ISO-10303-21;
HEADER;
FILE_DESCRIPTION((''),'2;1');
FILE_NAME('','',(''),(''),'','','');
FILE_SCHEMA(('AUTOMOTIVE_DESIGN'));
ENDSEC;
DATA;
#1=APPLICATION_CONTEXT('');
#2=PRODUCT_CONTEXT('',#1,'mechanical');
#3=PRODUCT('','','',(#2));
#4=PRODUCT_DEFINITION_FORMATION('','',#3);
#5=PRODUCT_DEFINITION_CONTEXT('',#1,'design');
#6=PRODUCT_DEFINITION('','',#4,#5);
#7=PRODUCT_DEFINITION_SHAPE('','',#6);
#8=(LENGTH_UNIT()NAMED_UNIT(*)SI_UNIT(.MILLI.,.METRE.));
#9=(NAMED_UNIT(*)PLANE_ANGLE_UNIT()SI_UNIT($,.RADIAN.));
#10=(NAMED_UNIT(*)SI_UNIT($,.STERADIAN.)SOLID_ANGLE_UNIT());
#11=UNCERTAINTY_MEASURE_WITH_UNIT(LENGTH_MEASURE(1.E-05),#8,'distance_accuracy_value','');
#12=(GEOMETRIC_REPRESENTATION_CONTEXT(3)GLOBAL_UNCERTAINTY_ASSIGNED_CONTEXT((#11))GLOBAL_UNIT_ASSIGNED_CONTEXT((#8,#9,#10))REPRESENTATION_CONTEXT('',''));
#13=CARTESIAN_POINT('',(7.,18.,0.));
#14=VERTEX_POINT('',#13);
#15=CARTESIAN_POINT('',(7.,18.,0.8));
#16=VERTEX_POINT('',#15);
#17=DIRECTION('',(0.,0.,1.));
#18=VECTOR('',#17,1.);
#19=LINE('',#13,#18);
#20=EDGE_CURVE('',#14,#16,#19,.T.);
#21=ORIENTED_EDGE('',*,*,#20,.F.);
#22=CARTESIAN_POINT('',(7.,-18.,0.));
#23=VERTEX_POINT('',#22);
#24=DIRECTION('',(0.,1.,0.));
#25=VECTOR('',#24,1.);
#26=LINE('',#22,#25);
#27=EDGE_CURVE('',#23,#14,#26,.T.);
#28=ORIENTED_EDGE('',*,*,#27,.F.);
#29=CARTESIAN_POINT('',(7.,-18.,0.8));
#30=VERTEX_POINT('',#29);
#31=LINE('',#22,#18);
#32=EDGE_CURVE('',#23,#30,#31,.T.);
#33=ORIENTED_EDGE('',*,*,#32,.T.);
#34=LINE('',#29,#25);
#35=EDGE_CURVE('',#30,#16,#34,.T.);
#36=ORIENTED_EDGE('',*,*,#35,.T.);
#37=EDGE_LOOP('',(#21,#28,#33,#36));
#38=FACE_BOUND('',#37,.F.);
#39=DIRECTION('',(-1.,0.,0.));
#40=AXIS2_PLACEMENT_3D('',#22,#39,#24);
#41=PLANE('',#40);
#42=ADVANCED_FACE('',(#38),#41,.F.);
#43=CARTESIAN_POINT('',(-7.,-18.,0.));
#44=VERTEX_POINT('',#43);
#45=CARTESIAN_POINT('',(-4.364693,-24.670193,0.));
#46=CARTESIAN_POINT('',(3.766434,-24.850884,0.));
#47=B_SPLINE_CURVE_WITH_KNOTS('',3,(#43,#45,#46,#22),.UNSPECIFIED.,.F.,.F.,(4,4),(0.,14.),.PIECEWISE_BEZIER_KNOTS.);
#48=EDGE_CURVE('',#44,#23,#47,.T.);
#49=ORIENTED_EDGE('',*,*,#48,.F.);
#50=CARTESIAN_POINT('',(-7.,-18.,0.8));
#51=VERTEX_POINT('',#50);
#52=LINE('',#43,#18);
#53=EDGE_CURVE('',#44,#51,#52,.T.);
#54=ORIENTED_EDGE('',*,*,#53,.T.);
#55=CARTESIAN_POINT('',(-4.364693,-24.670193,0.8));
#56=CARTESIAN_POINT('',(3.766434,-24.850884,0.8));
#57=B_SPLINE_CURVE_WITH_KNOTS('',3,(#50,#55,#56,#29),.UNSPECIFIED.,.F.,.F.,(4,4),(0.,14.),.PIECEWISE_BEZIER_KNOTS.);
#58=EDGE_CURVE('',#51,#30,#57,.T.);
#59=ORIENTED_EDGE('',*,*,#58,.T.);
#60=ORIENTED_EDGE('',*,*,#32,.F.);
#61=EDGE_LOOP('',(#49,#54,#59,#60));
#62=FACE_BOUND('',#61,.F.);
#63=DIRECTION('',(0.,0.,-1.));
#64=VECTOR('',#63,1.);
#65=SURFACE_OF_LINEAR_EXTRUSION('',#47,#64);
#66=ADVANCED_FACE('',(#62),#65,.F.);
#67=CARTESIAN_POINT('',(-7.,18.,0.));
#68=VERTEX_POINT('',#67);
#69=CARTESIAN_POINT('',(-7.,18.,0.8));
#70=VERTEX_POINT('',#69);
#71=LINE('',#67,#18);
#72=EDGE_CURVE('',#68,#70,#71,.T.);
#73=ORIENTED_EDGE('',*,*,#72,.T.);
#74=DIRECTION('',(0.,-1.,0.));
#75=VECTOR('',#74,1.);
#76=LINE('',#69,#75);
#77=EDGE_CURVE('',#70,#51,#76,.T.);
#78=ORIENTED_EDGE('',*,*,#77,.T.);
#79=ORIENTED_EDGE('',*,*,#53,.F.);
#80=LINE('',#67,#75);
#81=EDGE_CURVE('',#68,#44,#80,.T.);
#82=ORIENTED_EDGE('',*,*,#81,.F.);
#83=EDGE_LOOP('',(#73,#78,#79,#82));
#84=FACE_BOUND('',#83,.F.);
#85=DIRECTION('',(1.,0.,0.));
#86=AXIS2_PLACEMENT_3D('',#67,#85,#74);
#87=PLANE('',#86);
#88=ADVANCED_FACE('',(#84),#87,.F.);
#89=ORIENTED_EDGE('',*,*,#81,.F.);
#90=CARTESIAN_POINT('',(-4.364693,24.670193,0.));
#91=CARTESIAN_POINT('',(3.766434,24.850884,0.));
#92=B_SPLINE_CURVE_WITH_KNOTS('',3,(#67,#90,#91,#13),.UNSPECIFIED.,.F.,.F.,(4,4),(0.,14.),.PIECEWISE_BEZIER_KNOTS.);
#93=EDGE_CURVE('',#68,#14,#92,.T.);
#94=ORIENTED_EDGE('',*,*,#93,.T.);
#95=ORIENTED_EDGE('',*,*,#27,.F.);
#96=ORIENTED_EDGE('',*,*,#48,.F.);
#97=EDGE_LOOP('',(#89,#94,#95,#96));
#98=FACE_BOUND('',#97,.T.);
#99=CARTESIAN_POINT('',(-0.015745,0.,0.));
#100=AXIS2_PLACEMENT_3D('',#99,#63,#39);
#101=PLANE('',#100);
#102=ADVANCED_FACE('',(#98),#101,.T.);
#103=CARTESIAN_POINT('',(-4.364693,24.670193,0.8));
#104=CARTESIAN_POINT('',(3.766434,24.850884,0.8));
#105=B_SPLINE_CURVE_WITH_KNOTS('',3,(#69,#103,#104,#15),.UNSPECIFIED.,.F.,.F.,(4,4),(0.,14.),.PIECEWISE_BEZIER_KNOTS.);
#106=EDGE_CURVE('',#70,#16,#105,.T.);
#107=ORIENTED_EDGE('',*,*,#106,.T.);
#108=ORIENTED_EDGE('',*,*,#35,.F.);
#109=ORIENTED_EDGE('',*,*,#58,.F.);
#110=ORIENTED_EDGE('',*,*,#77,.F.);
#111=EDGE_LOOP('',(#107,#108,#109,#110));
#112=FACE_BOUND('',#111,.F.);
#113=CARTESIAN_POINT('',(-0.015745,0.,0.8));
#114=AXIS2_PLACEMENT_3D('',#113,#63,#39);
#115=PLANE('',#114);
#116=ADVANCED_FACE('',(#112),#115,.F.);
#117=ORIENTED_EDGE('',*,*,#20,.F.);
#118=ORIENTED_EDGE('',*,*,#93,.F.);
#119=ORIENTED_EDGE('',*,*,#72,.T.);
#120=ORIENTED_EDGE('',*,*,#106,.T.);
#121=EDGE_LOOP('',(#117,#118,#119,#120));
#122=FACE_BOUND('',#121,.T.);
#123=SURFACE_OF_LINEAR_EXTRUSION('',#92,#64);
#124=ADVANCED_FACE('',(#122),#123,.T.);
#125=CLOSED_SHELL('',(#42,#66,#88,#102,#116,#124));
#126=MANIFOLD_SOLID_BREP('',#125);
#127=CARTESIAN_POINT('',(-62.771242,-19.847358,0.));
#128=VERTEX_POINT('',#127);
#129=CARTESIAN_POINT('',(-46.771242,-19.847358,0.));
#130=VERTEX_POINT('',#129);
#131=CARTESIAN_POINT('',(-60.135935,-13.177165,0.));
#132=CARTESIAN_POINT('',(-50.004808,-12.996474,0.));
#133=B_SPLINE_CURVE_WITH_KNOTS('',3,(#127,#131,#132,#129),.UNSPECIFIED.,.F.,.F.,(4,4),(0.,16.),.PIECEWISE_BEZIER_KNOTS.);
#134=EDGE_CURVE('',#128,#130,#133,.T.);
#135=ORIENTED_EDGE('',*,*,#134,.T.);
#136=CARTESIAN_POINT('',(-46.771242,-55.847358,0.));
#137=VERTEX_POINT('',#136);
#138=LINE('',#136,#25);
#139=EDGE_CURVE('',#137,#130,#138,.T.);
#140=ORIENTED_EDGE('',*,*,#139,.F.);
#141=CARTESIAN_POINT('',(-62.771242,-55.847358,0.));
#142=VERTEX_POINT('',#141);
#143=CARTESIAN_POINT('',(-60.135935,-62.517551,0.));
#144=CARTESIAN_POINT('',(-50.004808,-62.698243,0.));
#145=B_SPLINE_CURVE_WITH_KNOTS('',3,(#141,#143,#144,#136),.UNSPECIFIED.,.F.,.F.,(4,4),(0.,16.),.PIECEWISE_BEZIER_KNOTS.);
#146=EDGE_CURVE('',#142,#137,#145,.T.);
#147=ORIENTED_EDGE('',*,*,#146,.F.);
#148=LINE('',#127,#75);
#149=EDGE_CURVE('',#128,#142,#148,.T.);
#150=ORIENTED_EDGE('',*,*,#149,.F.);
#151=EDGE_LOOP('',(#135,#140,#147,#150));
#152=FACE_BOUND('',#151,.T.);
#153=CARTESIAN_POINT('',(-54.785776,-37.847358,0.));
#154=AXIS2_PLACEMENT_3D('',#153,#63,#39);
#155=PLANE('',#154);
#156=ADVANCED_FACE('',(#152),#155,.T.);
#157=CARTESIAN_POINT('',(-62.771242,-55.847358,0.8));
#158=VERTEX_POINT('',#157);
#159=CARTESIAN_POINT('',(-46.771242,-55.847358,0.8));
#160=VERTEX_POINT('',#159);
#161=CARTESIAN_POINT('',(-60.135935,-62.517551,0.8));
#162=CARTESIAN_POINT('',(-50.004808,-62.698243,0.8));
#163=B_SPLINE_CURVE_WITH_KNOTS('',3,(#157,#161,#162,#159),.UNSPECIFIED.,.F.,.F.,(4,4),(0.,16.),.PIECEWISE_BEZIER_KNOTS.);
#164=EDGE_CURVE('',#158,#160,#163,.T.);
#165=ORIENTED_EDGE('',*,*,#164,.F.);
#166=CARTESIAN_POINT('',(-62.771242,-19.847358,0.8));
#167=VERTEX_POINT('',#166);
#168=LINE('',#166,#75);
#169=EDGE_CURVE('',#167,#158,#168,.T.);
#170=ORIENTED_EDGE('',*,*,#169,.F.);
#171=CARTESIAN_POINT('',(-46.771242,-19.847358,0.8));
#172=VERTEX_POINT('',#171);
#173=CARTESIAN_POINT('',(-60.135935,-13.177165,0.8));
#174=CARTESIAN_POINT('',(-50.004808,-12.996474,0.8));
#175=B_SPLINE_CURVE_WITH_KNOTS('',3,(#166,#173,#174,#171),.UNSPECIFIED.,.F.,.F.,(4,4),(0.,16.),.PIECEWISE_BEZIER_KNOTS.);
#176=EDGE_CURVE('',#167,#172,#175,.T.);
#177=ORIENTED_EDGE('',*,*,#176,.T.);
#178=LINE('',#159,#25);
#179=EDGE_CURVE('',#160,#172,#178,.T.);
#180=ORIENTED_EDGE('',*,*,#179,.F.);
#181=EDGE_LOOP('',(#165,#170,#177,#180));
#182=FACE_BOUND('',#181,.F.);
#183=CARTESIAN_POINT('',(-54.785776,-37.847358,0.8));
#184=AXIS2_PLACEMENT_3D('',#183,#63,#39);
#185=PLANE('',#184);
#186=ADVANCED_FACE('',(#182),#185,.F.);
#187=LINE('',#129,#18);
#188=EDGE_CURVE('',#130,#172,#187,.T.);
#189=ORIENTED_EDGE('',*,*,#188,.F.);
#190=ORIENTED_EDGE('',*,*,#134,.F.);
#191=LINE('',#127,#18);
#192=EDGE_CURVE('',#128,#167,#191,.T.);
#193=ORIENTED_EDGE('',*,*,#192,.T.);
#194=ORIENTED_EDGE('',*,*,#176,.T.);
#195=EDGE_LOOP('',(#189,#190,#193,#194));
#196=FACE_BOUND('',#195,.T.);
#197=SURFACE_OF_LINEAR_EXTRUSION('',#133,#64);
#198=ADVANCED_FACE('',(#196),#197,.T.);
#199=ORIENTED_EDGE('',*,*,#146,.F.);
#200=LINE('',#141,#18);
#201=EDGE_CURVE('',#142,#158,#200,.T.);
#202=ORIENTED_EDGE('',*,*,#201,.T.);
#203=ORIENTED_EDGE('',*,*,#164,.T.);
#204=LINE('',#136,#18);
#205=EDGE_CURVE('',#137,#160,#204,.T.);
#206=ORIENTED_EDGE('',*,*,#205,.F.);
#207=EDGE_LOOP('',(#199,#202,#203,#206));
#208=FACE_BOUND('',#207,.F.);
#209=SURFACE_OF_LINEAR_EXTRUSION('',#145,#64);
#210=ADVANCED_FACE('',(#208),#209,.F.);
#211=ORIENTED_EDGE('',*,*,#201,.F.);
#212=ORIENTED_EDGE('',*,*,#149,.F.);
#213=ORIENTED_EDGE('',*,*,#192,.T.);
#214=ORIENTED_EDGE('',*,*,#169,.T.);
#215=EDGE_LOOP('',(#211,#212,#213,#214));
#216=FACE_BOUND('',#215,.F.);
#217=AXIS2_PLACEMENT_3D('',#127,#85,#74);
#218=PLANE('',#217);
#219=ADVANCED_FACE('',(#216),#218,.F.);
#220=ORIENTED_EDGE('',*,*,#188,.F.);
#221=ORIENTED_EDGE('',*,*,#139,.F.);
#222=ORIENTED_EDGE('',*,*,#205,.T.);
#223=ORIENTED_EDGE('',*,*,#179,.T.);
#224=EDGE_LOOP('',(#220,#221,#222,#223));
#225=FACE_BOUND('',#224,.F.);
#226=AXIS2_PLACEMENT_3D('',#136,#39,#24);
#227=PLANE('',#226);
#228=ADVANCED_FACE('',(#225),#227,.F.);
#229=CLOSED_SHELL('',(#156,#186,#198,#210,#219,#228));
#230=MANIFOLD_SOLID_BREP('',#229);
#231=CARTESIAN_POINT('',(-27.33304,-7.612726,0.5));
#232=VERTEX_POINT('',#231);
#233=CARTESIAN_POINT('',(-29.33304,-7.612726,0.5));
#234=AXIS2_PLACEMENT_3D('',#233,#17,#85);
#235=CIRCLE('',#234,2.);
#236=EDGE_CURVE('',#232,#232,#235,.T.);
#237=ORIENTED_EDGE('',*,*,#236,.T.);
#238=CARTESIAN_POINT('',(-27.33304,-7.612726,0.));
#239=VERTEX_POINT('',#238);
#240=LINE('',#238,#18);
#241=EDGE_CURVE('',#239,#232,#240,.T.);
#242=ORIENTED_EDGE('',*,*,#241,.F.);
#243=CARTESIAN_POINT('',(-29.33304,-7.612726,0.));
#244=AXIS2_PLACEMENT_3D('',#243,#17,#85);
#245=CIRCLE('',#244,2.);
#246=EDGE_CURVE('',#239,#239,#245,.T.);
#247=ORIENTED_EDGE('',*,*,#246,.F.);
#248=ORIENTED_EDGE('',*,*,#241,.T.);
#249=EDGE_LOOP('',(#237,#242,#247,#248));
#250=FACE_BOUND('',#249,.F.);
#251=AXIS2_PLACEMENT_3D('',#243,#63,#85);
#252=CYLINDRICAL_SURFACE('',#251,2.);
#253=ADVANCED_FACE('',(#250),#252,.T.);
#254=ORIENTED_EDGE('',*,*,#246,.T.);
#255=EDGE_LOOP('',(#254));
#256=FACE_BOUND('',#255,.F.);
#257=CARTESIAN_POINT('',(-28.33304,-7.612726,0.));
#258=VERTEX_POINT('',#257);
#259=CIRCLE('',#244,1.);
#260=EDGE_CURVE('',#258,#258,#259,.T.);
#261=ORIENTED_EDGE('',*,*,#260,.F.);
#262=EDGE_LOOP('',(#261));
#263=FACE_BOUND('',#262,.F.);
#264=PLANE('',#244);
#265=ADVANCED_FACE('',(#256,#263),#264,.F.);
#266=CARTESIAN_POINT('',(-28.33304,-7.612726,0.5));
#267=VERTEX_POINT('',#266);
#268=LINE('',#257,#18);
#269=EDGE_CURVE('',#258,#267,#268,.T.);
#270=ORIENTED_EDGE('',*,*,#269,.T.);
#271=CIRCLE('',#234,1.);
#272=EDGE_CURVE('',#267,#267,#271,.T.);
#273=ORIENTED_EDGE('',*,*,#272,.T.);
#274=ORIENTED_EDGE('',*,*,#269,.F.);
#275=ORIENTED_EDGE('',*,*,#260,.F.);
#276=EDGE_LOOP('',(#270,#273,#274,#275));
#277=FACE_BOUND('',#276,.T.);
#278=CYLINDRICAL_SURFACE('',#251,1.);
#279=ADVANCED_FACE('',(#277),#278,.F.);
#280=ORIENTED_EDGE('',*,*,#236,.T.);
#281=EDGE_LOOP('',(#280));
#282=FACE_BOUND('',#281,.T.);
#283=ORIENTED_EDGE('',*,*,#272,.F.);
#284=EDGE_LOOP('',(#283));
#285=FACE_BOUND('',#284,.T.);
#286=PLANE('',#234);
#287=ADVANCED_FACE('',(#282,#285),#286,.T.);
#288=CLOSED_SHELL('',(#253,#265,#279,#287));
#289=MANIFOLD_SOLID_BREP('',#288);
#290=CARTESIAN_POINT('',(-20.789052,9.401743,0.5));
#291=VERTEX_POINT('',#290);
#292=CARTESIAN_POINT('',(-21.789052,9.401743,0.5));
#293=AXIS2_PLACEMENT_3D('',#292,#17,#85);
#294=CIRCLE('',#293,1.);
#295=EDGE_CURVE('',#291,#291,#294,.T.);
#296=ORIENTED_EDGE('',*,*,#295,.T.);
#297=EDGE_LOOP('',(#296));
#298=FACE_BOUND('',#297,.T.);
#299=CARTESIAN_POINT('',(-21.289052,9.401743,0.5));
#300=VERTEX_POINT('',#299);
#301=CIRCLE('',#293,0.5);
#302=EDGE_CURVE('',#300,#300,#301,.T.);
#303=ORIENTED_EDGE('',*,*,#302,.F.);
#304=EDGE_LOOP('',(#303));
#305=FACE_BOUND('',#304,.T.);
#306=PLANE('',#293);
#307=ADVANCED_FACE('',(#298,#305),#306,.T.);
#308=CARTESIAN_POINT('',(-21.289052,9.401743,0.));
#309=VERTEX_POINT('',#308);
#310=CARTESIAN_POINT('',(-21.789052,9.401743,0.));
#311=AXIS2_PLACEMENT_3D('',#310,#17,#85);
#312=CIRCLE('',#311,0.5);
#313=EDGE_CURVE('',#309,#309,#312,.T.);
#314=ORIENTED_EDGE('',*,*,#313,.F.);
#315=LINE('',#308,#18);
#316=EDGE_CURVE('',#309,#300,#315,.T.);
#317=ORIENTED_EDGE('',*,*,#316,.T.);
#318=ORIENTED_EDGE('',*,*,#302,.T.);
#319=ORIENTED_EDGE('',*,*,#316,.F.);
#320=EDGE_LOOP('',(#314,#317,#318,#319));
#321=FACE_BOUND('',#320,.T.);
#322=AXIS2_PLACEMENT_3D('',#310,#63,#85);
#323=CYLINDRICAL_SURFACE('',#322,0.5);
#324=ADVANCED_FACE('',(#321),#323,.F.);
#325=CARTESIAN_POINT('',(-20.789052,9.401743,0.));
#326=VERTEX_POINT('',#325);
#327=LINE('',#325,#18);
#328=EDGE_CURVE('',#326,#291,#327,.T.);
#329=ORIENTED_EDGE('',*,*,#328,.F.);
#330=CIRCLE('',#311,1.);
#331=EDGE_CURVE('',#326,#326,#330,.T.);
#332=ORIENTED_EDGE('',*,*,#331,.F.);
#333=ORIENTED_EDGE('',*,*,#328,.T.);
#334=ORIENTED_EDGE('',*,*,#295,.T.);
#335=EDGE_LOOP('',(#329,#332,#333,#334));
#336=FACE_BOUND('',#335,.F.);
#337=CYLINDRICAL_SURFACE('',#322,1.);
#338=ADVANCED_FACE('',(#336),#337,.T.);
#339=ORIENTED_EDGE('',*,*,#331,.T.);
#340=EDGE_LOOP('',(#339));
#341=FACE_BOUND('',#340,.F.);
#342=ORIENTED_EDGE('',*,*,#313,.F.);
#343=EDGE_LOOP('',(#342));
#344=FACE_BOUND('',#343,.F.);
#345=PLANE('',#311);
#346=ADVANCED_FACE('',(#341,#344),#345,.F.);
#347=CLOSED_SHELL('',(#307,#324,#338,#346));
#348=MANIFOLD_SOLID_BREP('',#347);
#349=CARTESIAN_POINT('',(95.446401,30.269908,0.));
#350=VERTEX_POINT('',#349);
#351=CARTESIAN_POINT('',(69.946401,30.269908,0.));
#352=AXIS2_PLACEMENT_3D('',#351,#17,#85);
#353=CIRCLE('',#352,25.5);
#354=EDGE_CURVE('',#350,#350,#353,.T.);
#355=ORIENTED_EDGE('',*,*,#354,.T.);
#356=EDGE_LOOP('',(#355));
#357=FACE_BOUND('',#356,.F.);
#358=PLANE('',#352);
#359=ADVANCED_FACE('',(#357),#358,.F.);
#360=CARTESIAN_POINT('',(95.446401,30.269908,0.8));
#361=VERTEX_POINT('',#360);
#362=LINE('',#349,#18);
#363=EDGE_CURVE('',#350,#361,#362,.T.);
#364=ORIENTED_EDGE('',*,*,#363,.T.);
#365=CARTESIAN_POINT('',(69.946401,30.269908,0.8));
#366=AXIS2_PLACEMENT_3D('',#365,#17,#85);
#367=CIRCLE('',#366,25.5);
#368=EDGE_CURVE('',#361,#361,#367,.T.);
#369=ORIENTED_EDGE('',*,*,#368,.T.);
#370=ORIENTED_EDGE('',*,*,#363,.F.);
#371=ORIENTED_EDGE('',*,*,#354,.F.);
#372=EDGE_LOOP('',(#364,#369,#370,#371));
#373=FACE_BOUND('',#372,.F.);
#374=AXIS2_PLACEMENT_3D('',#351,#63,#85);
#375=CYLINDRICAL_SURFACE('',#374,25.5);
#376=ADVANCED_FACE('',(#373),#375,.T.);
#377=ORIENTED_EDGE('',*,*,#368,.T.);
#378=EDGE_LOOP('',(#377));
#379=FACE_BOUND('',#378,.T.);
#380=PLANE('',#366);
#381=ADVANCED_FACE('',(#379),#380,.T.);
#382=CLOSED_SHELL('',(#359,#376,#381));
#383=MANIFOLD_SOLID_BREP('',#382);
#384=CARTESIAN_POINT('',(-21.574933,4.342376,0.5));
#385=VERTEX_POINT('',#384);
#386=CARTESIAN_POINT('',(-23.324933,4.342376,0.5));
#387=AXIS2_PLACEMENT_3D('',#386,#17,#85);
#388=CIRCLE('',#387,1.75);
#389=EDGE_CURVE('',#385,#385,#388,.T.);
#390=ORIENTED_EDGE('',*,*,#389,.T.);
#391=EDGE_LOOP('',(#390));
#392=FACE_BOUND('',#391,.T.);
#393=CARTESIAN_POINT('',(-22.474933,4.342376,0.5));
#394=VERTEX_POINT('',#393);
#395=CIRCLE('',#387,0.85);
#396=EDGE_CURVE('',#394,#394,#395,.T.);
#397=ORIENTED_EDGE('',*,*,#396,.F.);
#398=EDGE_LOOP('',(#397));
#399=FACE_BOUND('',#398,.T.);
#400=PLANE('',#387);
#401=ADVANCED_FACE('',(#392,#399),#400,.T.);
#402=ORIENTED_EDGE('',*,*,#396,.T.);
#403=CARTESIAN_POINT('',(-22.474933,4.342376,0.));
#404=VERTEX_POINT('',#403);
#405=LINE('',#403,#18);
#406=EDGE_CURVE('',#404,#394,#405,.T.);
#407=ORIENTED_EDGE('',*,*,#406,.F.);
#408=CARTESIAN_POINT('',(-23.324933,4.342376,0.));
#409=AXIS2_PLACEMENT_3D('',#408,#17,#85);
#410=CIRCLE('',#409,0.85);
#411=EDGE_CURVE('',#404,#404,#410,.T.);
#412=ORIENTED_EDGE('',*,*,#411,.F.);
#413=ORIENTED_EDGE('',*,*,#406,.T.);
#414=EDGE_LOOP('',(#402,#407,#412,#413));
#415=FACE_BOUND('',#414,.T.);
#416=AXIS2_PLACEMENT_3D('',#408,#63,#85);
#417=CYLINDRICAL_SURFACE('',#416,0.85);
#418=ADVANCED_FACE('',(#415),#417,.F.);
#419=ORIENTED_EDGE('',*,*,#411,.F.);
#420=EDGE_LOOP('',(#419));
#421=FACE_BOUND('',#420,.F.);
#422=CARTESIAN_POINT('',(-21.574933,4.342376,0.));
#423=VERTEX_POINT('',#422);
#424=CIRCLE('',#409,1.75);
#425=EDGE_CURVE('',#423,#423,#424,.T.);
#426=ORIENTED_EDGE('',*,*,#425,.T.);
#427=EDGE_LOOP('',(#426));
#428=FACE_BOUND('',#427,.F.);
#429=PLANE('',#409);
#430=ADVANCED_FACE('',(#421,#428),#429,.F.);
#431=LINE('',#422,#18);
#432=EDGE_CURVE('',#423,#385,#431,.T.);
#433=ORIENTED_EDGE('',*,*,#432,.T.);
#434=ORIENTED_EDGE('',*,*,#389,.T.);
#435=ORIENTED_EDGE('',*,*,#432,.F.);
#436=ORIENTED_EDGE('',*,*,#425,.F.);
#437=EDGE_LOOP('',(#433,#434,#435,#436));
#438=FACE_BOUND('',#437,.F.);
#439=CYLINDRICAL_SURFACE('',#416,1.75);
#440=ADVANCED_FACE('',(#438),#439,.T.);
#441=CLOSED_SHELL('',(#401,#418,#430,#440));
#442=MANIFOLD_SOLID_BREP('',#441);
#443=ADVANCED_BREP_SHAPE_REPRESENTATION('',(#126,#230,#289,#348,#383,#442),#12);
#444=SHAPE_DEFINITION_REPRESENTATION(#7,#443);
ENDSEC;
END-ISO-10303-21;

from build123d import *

# Parameters (mm, degrees)
F0_R     = 25.5
F1_DEPTH = 0.8
F0_R_2   = 1
F0_R_3   = 0.5
F0_R_4   = 1.75
F0_R_5   = 0.85
F0_R_6   = 2
F2_DEPTH = 0.5


with BuildPart() as f1:
    # F0 (on Top) → F1 (new body)
    with BuildSketch(Plane.XY):
        with BuildLine():
            add(Edge.make_bspline(
                [(-7, 18), (-4.364693, 24.670193), (3.766434, 24.850884), (7, 18)],
                knots=[0, 0, 0, 0, 14, 14, 14, 14], degree=3))
            Line((-7, 18), (-7, 0))
            Line((-7, 0), (-7, -18))
            add(Edge.make_bspline(
                [(-7, -18), (-4.364693, -24.670193), (3.766434, -24.850884), (7, -18)],
                knots=[0, 0, 0, 0, 14, 14, 14, 14], degree=3))
            Line((7, -18), (7, 0))
            Line((7, 0), (7, 18))
        make_face()
        with BuildLine():
            add(Edge.make_bspline(
                [(-62.771242, -19.847358), (-60.135935, -13.177165), (-50.004808, -12.996474), (-46.771242, -19.847358)],
                knots=[0, 0, 0, 0, 16, 16, 16, 16], degree=3))
            Line((-62.771242, -19.847358), (-62.771242, -37.847358))
            Line((-62.771242, -37.847358), (-62.771242, -55.847358))
            add(Edge.make_bspline(
                [(-62.771242, -55.847358), (-60.135935, -62.517551), (-50.004808, -62.698243), (-46.771242, -55.847358)],
                knots=[0, 0, 0, 0, 16, 16, 16, 16], degree=3))
            Line((-46.771242, -55.847358), (-46.771242, -37.847358))
            Line((-46.771242, -37.847358), (-46.771242, -19.847358))
        make_face()
        with Locations((69.946401, 30.269908)):
            Circle(F0_R)
    extrude(amount=F1_DEPTH)


with BuildPart() as f2:
    # F0 (on Top) → F2 (new body)
    with BuildSketch(Plane.XY):
        with Locations((-21.789052, 9.401743)):
            Circle(F0_R_2)
        with Locations((-21.789052, 9.401743)):
            Circle(F0_R_3, mode=Mode.SUBTRACT)
        with Locations((-23.324933, 4.342376)):
            Circle(F0_R_4)
        with Locations((-23.324933, 4.342376)):
            Circle(F0_R_5, mode=Mode.SUBTRACT)
        with Locations((-29.33304, -7.612726)):
            Circle(F0_R_6)
        with Locations((-29.33304, -7.612726)):
            Circle(F0_R_2, mode=Mode.SUBTRACT)
    extrude(amount=F2_DEPTH)


solid = Compound([f1.part, f2.part])
